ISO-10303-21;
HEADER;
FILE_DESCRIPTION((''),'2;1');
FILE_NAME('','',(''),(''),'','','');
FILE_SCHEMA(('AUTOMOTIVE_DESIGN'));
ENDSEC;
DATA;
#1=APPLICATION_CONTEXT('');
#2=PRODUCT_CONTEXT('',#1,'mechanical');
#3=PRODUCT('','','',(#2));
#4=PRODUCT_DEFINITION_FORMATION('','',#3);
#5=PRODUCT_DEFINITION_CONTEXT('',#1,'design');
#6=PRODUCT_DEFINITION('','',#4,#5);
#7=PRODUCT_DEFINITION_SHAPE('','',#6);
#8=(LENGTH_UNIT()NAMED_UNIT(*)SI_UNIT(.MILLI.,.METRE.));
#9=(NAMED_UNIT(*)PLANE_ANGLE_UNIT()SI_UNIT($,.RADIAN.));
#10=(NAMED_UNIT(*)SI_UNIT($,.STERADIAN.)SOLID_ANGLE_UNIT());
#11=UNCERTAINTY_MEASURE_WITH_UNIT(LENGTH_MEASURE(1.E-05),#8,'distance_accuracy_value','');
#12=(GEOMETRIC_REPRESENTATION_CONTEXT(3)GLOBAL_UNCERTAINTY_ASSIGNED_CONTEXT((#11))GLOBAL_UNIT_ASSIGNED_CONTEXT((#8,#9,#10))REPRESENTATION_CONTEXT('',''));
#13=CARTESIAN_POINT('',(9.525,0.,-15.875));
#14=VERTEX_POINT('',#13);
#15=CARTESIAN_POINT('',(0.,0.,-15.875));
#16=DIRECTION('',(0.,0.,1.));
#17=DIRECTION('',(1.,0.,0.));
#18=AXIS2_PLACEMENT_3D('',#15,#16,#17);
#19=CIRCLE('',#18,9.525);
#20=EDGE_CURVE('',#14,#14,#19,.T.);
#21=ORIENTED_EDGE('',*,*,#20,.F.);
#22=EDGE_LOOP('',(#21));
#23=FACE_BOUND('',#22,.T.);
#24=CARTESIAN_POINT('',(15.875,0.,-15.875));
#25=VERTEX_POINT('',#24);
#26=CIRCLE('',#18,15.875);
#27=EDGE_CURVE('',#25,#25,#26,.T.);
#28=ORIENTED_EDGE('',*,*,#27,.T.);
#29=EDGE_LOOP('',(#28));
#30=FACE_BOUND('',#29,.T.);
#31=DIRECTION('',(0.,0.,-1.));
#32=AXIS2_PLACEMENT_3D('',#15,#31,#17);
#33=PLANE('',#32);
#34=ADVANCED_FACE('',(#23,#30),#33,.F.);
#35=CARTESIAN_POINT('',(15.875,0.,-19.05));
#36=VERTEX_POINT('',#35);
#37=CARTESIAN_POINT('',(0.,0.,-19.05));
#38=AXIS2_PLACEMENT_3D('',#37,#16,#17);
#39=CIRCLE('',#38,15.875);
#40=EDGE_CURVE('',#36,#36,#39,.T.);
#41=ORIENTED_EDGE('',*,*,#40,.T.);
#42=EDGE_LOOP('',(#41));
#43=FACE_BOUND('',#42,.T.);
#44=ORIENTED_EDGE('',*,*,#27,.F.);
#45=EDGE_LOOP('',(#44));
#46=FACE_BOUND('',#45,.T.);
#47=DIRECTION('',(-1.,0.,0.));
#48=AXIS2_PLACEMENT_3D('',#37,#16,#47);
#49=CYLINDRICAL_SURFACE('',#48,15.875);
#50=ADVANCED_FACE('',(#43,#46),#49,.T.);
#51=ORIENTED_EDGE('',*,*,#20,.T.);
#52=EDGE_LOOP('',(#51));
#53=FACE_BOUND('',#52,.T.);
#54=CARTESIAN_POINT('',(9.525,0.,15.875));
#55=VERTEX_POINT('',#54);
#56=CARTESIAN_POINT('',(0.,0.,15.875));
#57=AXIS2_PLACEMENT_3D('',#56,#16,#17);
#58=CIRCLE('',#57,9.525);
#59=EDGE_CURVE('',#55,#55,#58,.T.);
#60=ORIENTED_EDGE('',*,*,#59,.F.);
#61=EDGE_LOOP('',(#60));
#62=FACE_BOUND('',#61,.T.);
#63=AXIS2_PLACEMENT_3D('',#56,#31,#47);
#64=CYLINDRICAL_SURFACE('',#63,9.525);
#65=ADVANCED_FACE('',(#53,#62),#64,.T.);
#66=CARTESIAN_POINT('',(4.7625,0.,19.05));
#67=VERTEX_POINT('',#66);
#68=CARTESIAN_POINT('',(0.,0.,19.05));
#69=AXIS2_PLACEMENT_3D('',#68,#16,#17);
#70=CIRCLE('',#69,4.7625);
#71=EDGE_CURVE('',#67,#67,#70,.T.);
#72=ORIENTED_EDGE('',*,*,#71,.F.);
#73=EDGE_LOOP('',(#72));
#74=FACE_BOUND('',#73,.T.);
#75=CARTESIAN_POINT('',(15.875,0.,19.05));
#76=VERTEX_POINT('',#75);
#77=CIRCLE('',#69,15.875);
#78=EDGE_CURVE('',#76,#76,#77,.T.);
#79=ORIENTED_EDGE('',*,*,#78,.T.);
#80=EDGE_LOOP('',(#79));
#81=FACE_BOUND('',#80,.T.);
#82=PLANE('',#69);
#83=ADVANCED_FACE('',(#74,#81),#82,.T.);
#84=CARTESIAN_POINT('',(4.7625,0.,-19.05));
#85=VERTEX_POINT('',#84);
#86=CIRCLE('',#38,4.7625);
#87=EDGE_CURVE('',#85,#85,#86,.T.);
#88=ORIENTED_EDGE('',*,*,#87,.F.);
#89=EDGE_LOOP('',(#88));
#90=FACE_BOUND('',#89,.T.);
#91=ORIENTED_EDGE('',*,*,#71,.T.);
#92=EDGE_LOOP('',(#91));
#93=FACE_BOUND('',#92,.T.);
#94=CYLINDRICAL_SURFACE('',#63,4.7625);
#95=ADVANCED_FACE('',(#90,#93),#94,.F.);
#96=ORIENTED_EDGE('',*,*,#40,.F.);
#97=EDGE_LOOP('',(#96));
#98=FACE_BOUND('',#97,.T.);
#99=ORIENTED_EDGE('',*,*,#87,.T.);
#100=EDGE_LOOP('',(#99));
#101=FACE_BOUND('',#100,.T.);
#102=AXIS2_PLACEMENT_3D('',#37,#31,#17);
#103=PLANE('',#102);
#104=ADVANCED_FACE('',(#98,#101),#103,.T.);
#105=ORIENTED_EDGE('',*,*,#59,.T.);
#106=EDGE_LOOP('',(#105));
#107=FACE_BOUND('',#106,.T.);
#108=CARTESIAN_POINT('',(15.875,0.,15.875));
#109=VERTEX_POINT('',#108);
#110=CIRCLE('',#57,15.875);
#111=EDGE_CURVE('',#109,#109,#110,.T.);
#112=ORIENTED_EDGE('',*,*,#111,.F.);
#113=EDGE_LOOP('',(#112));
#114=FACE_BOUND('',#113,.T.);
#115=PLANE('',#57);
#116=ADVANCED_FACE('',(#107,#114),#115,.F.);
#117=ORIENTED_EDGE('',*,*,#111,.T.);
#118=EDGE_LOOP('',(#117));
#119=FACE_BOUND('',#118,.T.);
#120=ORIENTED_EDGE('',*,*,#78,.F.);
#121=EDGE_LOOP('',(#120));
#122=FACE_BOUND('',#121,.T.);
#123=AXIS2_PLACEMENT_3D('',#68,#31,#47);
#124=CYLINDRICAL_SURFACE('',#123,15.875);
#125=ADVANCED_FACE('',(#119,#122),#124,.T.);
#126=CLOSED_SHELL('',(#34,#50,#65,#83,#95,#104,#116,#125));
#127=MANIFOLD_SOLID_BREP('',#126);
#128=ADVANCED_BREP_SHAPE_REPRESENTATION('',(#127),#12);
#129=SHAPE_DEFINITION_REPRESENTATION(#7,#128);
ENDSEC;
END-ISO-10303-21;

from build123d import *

# Parameters (mm, degrees)
SKETCH1_R           = 9.525
SKETCH1_R_2         = 4.7625
BOSS_EXTRUDE1_DEPTH = 15.875
BOSS_EXTRUDE2_START = 15.875
SKETCH1_3_R         = 15.875
SKETCH1_3_R_2       = 4.7625
BOSS_EXTRUDE2_DEPTH = 3.175


with BuildPart() as part:
    # Sketch1 → Boss-Extrude1 (new body)
    with BuildSketch(Plane.XY):
        Circle(SKETCH1_R)
        Circle(SKETCH1_R_2, mode=Mode.SUBTRACT)
    extrude(amount=BOSS_EXTRUDE1_DEPTH)

    # Sketch1<3> → Boss-Extrude2 (add)
    with BuildSketch(Plane.XY.offset(BOSS_EXTRUDE2_START)):
        Circle(SKETCH1_3_R)
        Circle(SKETCH1_3_R_2, mode=Mode.SUBTRACT)
    extrude(amount=BOSS_EXTRUDE2_DEPTH)

    # Mirror1: part across plane


with BuildPart() as part_1:
    add(part.part)
    add(part.part.mirror(Plane.XY))


solid = part_1.part
